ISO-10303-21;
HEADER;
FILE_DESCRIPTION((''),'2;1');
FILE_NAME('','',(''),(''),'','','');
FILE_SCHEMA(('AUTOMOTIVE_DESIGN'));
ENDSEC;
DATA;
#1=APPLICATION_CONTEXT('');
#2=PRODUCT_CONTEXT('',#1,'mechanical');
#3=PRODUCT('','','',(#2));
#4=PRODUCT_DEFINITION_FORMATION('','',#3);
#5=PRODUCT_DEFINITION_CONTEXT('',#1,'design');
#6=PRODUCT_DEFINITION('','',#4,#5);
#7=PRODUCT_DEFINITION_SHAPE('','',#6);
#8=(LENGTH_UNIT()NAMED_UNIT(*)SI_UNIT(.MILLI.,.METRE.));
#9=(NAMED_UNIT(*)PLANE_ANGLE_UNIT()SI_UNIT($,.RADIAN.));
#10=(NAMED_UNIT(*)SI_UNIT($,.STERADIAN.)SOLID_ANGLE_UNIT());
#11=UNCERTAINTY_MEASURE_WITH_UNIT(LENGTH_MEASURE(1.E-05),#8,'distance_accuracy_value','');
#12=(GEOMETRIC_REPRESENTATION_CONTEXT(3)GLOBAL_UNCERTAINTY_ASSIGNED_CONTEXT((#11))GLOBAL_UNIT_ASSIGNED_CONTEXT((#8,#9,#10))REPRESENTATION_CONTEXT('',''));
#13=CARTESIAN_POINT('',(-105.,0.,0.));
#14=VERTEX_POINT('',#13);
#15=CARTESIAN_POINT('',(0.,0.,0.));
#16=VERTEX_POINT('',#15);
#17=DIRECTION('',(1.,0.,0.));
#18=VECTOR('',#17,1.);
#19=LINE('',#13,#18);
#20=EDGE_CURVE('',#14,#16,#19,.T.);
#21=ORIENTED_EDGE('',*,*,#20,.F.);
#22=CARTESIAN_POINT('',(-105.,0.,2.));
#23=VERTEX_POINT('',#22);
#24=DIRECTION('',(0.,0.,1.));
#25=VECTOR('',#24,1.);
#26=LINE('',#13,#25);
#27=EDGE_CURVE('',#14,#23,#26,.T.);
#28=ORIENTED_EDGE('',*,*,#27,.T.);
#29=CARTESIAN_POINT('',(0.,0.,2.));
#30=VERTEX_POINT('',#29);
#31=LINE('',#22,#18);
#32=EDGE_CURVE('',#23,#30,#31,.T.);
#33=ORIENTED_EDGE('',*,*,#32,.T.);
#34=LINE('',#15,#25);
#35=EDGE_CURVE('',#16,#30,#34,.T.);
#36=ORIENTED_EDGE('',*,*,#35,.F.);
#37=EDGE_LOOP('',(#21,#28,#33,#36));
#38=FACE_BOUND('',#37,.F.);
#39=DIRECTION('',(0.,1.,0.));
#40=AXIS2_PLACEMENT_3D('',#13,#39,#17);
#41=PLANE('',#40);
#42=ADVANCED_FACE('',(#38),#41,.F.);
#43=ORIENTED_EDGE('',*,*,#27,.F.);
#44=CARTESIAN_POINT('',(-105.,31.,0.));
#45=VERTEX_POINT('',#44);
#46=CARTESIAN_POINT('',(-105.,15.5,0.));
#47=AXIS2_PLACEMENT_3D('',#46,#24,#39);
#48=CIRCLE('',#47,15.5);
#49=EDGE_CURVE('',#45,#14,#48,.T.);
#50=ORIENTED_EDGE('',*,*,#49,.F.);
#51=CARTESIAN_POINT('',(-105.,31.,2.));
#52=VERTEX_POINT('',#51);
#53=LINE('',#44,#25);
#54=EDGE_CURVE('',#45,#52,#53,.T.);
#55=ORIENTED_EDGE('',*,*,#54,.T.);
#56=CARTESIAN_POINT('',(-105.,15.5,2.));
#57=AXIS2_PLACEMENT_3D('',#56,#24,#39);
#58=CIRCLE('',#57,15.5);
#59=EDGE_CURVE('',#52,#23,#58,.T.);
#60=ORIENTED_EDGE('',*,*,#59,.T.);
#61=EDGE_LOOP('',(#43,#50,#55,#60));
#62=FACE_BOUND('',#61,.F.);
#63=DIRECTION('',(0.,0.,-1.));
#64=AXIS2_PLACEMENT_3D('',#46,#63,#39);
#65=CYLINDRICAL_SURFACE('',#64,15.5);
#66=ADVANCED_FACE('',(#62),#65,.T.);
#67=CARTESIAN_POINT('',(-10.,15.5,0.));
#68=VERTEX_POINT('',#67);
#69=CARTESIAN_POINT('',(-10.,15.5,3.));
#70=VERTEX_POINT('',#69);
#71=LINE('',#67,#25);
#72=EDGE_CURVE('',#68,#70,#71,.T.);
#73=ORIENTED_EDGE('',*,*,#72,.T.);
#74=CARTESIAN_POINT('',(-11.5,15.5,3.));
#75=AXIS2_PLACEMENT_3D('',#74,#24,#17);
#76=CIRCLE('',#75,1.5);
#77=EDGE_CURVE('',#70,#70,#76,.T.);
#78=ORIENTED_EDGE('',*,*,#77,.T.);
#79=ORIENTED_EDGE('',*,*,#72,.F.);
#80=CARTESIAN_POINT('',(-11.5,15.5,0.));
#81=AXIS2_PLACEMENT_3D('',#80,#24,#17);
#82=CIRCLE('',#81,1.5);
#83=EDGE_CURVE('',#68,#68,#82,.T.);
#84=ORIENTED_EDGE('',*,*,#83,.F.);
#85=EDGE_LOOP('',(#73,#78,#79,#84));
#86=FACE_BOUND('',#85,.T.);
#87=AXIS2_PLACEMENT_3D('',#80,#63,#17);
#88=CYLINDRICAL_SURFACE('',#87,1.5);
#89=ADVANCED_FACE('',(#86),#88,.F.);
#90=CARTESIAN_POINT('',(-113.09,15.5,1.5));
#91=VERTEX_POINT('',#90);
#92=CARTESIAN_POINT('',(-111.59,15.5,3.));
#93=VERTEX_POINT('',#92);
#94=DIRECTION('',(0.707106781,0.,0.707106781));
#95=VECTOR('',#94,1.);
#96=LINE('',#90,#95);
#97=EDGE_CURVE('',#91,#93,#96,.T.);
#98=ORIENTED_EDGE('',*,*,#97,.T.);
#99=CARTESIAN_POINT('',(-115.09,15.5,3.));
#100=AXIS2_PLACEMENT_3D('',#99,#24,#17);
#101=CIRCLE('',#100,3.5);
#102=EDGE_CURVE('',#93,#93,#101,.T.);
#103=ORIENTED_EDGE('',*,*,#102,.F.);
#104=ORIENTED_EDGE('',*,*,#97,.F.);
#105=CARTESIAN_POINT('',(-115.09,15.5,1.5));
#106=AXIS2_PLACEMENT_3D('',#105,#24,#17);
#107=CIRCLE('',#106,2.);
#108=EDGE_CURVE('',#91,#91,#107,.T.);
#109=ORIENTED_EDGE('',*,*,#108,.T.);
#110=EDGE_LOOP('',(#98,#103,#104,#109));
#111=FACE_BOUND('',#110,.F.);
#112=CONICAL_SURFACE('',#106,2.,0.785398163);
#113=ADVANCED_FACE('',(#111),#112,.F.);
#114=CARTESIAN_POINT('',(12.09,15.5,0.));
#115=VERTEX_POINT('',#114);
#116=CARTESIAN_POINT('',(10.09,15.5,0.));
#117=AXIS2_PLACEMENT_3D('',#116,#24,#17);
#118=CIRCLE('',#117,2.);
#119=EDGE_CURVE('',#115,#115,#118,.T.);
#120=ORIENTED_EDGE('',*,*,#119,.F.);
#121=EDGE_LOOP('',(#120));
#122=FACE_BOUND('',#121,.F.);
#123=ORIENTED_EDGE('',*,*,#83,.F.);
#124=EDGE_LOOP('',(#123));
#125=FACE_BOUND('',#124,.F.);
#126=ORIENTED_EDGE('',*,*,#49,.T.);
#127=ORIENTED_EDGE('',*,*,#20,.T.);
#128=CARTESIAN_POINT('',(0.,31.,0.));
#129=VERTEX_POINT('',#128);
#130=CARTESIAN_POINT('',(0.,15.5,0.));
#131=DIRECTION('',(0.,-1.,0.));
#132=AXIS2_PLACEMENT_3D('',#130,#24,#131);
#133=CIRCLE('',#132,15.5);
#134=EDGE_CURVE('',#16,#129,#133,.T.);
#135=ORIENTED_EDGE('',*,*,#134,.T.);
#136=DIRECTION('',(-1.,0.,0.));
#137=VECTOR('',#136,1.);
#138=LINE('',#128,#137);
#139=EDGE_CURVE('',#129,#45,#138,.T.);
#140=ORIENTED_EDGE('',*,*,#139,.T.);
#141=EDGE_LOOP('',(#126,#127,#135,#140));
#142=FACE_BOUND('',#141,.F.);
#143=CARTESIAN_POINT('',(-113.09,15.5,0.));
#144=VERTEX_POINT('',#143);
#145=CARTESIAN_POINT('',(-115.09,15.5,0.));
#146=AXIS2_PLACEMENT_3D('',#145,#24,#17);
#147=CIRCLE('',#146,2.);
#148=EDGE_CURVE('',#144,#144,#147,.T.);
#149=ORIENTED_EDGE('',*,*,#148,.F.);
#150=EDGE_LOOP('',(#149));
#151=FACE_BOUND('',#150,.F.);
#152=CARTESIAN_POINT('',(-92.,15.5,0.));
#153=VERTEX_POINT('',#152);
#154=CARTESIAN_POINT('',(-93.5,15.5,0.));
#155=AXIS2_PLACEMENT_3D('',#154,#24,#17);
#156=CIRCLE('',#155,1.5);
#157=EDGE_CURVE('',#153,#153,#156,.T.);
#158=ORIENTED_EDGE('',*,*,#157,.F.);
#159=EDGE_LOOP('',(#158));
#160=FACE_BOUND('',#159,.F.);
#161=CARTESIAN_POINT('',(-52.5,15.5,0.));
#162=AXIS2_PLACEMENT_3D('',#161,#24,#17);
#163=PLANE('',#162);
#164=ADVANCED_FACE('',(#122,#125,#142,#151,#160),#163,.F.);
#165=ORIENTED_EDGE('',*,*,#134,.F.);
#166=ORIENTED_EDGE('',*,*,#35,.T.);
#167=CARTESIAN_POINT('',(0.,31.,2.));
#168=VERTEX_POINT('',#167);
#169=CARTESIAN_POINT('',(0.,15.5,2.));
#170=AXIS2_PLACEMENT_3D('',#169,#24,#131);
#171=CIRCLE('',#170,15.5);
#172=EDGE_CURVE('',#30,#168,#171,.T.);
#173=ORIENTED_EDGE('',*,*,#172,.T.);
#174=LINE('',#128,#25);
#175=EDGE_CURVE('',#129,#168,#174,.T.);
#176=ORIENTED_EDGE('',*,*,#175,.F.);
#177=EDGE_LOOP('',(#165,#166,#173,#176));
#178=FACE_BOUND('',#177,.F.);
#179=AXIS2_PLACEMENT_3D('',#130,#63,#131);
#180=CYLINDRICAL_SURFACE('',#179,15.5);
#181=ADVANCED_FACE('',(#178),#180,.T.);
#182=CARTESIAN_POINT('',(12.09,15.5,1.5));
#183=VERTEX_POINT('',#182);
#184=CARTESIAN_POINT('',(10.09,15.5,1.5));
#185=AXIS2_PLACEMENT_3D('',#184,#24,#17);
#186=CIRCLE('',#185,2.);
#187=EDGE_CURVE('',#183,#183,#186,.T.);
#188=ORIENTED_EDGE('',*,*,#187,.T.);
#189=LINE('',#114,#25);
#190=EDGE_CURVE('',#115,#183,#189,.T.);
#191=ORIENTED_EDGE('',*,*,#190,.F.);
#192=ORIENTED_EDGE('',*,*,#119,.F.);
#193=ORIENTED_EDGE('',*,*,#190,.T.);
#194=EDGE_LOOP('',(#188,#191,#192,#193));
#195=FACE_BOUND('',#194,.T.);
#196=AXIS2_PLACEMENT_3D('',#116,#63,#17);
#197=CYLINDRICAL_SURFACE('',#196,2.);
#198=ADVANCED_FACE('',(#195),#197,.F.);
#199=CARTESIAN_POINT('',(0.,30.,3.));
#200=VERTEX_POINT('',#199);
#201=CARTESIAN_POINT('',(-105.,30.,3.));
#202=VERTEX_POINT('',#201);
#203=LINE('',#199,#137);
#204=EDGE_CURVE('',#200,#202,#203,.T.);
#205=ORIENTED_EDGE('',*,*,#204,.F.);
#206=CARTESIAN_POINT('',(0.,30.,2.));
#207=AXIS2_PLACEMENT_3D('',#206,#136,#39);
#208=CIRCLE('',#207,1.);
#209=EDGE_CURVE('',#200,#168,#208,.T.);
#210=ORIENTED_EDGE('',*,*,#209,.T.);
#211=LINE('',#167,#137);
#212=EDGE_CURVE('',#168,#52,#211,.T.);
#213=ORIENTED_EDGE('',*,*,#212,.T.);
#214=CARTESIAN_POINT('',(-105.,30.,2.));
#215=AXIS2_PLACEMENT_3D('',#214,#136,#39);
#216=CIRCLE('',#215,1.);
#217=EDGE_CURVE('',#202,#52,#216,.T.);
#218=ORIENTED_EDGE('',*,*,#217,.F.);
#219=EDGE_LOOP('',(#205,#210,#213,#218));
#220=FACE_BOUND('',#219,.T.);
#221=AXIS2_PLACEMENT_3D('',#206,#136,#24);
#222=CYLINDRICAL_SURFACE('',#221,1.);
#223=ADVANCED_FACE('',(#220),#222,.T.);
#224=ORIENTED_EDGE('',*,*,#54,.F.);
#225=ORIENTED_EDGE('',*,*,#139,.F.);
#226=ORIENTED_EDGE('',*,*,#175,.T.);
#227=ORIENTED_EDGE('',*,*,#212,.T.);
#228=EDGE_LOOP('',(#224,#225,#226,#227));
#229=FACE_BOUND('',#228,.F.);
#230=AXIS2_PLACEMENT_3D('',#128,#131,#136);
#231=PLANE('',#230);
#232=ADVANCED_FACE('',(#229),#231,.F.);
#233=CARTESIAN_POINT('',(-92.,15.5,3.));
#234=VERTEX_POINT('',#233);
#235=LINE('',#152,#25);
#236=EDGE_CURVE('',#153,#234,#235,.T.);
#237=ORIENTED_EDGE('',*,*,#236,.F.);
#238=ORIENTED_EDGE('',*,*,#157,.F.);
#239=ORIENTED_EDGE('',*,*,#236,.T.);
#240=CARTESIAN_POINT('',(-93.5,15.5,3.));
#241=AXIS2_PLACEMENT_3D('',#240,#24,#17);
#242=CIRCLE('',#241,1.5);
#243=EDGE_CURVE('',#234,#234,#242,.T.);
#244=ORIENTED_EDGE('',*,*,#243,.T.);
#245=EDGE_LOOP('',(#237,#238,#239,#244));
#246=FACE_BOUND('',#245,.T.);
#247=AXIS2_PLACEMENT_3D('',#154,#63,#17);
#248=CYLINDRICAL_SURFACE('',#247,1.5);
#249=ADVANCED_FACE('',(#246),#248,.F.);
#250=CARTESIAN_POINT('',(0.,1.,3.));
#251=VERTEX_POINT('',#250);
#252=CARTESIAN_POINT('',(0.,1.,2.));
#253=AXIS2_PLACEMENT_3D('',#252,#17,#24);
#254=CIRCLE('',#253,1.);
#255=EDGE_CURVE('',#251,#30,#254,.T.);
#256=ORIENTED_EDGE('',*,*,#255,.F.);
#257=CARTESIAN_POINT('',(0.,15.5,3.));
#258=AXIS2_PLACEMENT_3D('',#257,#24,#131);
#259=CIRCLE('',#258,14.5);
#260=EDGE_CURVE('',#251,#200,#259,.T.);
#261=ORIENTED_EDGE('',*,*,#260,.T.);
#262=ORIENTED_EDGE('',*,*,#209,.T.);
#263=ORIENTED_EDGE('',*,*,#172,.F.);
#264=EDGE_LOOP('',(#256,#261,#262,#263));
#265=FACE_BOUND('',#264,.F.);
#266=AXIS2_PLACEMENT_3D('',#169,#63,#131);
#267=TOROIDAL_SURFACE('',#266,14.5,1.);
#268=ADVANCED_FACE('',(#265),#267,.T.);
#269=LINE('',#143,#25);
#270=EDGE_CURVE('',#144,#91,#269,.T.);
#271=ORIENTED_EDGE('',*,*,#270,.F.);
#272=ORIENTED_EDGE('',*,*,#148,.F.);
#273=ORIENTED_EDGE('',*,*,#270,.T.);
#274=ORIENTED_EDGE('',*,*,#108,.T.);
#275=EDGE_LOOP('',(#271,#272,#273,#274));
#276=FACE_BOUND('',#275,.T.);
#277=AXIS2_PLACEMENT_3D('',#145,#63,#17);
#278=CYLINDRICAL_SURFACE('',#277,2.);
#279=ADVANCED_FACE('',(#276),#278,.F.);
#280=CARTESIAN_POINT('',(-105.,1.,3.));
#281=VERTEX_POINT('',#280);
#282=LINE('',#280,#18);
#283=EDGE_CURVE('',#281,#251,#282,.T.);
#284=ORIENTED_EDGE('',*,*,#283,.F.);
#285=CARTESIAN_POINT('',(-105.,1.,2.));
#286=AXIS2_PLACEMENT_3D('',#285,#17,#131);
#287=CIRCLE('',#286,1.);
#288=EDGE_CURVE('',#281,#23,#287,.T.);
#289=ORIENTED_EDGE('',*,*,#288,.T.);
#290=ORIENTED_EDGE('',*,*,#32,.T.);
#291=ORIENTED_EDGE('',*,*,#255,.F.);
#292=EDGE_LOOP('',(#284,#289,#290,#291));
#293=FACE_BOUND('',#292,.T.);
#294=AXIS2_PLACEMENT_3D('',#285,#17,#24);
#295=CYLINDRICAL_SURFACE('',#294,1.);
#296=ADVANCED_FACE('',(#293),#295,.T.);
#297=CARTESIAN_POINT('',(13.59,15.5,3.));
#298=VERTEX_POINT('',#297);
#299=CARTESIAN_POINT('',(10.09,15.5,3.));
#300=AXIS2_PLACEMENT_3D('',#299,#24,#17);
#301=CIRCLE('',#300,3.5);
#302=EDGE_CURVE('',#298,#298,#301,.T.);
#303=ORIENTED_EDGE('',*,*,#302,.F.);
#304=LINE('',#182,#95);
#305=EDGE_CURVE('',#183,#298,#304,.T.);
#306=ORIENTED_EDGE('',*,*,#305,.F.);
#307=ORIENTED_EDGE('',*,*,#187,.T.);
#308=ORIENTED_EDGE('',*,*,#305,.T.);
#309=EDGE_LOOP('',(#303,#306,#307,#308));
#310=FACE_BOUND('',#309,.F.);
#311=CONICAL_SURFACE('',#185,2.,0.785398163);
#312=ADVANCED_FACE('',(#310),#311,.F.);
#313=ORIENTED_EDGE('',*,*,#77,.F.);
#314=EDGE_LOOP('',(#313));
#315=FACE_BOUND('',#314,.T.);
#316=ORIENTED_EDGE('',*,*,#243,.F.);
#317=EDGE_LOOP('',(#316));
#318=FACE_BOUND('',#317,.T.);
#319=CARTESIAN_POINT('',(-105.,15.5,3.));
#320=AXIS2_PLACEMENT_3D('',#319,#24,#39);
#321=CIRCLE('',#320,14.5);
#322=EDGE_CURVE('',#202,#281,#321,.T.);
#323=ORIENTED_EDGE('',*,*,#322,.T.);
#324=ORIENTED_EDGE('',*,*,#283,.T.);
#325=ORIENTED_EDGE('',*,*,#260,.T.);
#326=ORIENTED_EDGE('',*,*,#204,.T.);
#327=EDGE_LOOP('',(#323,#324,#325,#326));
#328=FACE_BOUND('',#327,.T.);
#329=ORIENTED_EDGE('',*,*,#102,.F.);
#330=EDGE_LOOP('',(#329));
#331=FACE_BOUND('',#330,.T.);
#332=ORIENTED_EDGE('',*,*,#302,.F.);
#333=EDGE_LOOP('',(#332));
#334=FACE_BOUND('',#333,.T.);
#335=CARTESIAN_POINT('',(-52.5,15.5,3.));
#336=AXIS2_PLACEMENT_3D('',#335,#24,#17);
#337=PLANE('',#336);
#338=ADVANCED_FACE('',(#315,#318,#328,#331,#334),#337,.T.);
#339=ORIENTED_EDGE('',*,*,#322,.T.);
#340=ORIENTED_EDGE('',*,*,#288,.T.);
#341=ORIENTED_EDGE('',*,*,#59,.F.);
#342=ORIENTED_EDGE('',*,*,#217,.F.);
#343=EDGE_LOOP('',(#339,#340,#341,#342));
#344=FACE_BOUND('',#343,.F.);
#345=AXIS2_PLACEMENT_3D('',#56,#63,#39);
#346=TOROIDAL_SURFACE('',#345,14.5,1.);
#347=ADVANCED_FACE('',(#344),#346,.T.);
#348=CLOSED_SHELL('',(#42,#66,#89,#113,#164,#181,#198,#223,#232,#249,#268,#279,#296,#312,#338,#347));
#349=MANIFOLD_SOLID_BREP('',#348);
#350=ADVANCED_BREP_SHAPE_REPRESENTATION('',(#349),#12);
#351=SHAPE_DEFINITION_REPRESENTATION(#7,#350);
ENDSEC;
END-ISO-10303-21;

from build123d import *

# Parameters (mm, degrees)
F0_R     = 2
F0_R_2   = 1.5
F1_DEPTH = 3
F2_SIZE  = 1.5
F3_R     = 1


with BuildPart() as f1:
    # F0 (on Top) → F1 (new body)
    with BuildSketch(Plane.XY):
        with BuildLine():
            Line((-105, 0), (0, 0))
            ThreePointArc((0, 0), (15.5, 15.5), (0, 31))
            Line((0, 31), (-105, 31))
            ThreePointArc((-105, 31), (-120.5, 15.5), (-105, 0))
        make_face()
        with Locations((-115.09, 15.5)):
            Circle(F0_R, mode=Mode.SUBTRACT)
        with Locations((-93.5, 15.5)):
            Circle(F0_R_2, mode=Mode.SUBTRACT)
        with Locations((-11.5, 15.5)):
            Circle(F0_R_2, mode=Mode.SUBTRACT)
        with Locations((10.09, 15.5)):
            Circle(F0_R, mode=Mode.SUBTRACT)
    extrude(amount=F1_DEPTH)

    # F2
    f2_edges = [f1.edges().sort_by_distance(p)[0] for p in [
        (-117.09, 15.5, 3),
        (8.09, 15.5, 3),
    ]]
    chamfer(f2_edges, length=F2_SIZE)

    # F3
    f3_edges = [f1.edges().sort_by_distance(p)[0] for p in [
        (-120.5, 15.5, 3),
        (-52.5, 0, 3),
        (-52.5, 31, 3),
        (15.5, 15.5, 3),
    ]]
    fillet(f3_edges, radius=F3_R)


solid = f1.part
